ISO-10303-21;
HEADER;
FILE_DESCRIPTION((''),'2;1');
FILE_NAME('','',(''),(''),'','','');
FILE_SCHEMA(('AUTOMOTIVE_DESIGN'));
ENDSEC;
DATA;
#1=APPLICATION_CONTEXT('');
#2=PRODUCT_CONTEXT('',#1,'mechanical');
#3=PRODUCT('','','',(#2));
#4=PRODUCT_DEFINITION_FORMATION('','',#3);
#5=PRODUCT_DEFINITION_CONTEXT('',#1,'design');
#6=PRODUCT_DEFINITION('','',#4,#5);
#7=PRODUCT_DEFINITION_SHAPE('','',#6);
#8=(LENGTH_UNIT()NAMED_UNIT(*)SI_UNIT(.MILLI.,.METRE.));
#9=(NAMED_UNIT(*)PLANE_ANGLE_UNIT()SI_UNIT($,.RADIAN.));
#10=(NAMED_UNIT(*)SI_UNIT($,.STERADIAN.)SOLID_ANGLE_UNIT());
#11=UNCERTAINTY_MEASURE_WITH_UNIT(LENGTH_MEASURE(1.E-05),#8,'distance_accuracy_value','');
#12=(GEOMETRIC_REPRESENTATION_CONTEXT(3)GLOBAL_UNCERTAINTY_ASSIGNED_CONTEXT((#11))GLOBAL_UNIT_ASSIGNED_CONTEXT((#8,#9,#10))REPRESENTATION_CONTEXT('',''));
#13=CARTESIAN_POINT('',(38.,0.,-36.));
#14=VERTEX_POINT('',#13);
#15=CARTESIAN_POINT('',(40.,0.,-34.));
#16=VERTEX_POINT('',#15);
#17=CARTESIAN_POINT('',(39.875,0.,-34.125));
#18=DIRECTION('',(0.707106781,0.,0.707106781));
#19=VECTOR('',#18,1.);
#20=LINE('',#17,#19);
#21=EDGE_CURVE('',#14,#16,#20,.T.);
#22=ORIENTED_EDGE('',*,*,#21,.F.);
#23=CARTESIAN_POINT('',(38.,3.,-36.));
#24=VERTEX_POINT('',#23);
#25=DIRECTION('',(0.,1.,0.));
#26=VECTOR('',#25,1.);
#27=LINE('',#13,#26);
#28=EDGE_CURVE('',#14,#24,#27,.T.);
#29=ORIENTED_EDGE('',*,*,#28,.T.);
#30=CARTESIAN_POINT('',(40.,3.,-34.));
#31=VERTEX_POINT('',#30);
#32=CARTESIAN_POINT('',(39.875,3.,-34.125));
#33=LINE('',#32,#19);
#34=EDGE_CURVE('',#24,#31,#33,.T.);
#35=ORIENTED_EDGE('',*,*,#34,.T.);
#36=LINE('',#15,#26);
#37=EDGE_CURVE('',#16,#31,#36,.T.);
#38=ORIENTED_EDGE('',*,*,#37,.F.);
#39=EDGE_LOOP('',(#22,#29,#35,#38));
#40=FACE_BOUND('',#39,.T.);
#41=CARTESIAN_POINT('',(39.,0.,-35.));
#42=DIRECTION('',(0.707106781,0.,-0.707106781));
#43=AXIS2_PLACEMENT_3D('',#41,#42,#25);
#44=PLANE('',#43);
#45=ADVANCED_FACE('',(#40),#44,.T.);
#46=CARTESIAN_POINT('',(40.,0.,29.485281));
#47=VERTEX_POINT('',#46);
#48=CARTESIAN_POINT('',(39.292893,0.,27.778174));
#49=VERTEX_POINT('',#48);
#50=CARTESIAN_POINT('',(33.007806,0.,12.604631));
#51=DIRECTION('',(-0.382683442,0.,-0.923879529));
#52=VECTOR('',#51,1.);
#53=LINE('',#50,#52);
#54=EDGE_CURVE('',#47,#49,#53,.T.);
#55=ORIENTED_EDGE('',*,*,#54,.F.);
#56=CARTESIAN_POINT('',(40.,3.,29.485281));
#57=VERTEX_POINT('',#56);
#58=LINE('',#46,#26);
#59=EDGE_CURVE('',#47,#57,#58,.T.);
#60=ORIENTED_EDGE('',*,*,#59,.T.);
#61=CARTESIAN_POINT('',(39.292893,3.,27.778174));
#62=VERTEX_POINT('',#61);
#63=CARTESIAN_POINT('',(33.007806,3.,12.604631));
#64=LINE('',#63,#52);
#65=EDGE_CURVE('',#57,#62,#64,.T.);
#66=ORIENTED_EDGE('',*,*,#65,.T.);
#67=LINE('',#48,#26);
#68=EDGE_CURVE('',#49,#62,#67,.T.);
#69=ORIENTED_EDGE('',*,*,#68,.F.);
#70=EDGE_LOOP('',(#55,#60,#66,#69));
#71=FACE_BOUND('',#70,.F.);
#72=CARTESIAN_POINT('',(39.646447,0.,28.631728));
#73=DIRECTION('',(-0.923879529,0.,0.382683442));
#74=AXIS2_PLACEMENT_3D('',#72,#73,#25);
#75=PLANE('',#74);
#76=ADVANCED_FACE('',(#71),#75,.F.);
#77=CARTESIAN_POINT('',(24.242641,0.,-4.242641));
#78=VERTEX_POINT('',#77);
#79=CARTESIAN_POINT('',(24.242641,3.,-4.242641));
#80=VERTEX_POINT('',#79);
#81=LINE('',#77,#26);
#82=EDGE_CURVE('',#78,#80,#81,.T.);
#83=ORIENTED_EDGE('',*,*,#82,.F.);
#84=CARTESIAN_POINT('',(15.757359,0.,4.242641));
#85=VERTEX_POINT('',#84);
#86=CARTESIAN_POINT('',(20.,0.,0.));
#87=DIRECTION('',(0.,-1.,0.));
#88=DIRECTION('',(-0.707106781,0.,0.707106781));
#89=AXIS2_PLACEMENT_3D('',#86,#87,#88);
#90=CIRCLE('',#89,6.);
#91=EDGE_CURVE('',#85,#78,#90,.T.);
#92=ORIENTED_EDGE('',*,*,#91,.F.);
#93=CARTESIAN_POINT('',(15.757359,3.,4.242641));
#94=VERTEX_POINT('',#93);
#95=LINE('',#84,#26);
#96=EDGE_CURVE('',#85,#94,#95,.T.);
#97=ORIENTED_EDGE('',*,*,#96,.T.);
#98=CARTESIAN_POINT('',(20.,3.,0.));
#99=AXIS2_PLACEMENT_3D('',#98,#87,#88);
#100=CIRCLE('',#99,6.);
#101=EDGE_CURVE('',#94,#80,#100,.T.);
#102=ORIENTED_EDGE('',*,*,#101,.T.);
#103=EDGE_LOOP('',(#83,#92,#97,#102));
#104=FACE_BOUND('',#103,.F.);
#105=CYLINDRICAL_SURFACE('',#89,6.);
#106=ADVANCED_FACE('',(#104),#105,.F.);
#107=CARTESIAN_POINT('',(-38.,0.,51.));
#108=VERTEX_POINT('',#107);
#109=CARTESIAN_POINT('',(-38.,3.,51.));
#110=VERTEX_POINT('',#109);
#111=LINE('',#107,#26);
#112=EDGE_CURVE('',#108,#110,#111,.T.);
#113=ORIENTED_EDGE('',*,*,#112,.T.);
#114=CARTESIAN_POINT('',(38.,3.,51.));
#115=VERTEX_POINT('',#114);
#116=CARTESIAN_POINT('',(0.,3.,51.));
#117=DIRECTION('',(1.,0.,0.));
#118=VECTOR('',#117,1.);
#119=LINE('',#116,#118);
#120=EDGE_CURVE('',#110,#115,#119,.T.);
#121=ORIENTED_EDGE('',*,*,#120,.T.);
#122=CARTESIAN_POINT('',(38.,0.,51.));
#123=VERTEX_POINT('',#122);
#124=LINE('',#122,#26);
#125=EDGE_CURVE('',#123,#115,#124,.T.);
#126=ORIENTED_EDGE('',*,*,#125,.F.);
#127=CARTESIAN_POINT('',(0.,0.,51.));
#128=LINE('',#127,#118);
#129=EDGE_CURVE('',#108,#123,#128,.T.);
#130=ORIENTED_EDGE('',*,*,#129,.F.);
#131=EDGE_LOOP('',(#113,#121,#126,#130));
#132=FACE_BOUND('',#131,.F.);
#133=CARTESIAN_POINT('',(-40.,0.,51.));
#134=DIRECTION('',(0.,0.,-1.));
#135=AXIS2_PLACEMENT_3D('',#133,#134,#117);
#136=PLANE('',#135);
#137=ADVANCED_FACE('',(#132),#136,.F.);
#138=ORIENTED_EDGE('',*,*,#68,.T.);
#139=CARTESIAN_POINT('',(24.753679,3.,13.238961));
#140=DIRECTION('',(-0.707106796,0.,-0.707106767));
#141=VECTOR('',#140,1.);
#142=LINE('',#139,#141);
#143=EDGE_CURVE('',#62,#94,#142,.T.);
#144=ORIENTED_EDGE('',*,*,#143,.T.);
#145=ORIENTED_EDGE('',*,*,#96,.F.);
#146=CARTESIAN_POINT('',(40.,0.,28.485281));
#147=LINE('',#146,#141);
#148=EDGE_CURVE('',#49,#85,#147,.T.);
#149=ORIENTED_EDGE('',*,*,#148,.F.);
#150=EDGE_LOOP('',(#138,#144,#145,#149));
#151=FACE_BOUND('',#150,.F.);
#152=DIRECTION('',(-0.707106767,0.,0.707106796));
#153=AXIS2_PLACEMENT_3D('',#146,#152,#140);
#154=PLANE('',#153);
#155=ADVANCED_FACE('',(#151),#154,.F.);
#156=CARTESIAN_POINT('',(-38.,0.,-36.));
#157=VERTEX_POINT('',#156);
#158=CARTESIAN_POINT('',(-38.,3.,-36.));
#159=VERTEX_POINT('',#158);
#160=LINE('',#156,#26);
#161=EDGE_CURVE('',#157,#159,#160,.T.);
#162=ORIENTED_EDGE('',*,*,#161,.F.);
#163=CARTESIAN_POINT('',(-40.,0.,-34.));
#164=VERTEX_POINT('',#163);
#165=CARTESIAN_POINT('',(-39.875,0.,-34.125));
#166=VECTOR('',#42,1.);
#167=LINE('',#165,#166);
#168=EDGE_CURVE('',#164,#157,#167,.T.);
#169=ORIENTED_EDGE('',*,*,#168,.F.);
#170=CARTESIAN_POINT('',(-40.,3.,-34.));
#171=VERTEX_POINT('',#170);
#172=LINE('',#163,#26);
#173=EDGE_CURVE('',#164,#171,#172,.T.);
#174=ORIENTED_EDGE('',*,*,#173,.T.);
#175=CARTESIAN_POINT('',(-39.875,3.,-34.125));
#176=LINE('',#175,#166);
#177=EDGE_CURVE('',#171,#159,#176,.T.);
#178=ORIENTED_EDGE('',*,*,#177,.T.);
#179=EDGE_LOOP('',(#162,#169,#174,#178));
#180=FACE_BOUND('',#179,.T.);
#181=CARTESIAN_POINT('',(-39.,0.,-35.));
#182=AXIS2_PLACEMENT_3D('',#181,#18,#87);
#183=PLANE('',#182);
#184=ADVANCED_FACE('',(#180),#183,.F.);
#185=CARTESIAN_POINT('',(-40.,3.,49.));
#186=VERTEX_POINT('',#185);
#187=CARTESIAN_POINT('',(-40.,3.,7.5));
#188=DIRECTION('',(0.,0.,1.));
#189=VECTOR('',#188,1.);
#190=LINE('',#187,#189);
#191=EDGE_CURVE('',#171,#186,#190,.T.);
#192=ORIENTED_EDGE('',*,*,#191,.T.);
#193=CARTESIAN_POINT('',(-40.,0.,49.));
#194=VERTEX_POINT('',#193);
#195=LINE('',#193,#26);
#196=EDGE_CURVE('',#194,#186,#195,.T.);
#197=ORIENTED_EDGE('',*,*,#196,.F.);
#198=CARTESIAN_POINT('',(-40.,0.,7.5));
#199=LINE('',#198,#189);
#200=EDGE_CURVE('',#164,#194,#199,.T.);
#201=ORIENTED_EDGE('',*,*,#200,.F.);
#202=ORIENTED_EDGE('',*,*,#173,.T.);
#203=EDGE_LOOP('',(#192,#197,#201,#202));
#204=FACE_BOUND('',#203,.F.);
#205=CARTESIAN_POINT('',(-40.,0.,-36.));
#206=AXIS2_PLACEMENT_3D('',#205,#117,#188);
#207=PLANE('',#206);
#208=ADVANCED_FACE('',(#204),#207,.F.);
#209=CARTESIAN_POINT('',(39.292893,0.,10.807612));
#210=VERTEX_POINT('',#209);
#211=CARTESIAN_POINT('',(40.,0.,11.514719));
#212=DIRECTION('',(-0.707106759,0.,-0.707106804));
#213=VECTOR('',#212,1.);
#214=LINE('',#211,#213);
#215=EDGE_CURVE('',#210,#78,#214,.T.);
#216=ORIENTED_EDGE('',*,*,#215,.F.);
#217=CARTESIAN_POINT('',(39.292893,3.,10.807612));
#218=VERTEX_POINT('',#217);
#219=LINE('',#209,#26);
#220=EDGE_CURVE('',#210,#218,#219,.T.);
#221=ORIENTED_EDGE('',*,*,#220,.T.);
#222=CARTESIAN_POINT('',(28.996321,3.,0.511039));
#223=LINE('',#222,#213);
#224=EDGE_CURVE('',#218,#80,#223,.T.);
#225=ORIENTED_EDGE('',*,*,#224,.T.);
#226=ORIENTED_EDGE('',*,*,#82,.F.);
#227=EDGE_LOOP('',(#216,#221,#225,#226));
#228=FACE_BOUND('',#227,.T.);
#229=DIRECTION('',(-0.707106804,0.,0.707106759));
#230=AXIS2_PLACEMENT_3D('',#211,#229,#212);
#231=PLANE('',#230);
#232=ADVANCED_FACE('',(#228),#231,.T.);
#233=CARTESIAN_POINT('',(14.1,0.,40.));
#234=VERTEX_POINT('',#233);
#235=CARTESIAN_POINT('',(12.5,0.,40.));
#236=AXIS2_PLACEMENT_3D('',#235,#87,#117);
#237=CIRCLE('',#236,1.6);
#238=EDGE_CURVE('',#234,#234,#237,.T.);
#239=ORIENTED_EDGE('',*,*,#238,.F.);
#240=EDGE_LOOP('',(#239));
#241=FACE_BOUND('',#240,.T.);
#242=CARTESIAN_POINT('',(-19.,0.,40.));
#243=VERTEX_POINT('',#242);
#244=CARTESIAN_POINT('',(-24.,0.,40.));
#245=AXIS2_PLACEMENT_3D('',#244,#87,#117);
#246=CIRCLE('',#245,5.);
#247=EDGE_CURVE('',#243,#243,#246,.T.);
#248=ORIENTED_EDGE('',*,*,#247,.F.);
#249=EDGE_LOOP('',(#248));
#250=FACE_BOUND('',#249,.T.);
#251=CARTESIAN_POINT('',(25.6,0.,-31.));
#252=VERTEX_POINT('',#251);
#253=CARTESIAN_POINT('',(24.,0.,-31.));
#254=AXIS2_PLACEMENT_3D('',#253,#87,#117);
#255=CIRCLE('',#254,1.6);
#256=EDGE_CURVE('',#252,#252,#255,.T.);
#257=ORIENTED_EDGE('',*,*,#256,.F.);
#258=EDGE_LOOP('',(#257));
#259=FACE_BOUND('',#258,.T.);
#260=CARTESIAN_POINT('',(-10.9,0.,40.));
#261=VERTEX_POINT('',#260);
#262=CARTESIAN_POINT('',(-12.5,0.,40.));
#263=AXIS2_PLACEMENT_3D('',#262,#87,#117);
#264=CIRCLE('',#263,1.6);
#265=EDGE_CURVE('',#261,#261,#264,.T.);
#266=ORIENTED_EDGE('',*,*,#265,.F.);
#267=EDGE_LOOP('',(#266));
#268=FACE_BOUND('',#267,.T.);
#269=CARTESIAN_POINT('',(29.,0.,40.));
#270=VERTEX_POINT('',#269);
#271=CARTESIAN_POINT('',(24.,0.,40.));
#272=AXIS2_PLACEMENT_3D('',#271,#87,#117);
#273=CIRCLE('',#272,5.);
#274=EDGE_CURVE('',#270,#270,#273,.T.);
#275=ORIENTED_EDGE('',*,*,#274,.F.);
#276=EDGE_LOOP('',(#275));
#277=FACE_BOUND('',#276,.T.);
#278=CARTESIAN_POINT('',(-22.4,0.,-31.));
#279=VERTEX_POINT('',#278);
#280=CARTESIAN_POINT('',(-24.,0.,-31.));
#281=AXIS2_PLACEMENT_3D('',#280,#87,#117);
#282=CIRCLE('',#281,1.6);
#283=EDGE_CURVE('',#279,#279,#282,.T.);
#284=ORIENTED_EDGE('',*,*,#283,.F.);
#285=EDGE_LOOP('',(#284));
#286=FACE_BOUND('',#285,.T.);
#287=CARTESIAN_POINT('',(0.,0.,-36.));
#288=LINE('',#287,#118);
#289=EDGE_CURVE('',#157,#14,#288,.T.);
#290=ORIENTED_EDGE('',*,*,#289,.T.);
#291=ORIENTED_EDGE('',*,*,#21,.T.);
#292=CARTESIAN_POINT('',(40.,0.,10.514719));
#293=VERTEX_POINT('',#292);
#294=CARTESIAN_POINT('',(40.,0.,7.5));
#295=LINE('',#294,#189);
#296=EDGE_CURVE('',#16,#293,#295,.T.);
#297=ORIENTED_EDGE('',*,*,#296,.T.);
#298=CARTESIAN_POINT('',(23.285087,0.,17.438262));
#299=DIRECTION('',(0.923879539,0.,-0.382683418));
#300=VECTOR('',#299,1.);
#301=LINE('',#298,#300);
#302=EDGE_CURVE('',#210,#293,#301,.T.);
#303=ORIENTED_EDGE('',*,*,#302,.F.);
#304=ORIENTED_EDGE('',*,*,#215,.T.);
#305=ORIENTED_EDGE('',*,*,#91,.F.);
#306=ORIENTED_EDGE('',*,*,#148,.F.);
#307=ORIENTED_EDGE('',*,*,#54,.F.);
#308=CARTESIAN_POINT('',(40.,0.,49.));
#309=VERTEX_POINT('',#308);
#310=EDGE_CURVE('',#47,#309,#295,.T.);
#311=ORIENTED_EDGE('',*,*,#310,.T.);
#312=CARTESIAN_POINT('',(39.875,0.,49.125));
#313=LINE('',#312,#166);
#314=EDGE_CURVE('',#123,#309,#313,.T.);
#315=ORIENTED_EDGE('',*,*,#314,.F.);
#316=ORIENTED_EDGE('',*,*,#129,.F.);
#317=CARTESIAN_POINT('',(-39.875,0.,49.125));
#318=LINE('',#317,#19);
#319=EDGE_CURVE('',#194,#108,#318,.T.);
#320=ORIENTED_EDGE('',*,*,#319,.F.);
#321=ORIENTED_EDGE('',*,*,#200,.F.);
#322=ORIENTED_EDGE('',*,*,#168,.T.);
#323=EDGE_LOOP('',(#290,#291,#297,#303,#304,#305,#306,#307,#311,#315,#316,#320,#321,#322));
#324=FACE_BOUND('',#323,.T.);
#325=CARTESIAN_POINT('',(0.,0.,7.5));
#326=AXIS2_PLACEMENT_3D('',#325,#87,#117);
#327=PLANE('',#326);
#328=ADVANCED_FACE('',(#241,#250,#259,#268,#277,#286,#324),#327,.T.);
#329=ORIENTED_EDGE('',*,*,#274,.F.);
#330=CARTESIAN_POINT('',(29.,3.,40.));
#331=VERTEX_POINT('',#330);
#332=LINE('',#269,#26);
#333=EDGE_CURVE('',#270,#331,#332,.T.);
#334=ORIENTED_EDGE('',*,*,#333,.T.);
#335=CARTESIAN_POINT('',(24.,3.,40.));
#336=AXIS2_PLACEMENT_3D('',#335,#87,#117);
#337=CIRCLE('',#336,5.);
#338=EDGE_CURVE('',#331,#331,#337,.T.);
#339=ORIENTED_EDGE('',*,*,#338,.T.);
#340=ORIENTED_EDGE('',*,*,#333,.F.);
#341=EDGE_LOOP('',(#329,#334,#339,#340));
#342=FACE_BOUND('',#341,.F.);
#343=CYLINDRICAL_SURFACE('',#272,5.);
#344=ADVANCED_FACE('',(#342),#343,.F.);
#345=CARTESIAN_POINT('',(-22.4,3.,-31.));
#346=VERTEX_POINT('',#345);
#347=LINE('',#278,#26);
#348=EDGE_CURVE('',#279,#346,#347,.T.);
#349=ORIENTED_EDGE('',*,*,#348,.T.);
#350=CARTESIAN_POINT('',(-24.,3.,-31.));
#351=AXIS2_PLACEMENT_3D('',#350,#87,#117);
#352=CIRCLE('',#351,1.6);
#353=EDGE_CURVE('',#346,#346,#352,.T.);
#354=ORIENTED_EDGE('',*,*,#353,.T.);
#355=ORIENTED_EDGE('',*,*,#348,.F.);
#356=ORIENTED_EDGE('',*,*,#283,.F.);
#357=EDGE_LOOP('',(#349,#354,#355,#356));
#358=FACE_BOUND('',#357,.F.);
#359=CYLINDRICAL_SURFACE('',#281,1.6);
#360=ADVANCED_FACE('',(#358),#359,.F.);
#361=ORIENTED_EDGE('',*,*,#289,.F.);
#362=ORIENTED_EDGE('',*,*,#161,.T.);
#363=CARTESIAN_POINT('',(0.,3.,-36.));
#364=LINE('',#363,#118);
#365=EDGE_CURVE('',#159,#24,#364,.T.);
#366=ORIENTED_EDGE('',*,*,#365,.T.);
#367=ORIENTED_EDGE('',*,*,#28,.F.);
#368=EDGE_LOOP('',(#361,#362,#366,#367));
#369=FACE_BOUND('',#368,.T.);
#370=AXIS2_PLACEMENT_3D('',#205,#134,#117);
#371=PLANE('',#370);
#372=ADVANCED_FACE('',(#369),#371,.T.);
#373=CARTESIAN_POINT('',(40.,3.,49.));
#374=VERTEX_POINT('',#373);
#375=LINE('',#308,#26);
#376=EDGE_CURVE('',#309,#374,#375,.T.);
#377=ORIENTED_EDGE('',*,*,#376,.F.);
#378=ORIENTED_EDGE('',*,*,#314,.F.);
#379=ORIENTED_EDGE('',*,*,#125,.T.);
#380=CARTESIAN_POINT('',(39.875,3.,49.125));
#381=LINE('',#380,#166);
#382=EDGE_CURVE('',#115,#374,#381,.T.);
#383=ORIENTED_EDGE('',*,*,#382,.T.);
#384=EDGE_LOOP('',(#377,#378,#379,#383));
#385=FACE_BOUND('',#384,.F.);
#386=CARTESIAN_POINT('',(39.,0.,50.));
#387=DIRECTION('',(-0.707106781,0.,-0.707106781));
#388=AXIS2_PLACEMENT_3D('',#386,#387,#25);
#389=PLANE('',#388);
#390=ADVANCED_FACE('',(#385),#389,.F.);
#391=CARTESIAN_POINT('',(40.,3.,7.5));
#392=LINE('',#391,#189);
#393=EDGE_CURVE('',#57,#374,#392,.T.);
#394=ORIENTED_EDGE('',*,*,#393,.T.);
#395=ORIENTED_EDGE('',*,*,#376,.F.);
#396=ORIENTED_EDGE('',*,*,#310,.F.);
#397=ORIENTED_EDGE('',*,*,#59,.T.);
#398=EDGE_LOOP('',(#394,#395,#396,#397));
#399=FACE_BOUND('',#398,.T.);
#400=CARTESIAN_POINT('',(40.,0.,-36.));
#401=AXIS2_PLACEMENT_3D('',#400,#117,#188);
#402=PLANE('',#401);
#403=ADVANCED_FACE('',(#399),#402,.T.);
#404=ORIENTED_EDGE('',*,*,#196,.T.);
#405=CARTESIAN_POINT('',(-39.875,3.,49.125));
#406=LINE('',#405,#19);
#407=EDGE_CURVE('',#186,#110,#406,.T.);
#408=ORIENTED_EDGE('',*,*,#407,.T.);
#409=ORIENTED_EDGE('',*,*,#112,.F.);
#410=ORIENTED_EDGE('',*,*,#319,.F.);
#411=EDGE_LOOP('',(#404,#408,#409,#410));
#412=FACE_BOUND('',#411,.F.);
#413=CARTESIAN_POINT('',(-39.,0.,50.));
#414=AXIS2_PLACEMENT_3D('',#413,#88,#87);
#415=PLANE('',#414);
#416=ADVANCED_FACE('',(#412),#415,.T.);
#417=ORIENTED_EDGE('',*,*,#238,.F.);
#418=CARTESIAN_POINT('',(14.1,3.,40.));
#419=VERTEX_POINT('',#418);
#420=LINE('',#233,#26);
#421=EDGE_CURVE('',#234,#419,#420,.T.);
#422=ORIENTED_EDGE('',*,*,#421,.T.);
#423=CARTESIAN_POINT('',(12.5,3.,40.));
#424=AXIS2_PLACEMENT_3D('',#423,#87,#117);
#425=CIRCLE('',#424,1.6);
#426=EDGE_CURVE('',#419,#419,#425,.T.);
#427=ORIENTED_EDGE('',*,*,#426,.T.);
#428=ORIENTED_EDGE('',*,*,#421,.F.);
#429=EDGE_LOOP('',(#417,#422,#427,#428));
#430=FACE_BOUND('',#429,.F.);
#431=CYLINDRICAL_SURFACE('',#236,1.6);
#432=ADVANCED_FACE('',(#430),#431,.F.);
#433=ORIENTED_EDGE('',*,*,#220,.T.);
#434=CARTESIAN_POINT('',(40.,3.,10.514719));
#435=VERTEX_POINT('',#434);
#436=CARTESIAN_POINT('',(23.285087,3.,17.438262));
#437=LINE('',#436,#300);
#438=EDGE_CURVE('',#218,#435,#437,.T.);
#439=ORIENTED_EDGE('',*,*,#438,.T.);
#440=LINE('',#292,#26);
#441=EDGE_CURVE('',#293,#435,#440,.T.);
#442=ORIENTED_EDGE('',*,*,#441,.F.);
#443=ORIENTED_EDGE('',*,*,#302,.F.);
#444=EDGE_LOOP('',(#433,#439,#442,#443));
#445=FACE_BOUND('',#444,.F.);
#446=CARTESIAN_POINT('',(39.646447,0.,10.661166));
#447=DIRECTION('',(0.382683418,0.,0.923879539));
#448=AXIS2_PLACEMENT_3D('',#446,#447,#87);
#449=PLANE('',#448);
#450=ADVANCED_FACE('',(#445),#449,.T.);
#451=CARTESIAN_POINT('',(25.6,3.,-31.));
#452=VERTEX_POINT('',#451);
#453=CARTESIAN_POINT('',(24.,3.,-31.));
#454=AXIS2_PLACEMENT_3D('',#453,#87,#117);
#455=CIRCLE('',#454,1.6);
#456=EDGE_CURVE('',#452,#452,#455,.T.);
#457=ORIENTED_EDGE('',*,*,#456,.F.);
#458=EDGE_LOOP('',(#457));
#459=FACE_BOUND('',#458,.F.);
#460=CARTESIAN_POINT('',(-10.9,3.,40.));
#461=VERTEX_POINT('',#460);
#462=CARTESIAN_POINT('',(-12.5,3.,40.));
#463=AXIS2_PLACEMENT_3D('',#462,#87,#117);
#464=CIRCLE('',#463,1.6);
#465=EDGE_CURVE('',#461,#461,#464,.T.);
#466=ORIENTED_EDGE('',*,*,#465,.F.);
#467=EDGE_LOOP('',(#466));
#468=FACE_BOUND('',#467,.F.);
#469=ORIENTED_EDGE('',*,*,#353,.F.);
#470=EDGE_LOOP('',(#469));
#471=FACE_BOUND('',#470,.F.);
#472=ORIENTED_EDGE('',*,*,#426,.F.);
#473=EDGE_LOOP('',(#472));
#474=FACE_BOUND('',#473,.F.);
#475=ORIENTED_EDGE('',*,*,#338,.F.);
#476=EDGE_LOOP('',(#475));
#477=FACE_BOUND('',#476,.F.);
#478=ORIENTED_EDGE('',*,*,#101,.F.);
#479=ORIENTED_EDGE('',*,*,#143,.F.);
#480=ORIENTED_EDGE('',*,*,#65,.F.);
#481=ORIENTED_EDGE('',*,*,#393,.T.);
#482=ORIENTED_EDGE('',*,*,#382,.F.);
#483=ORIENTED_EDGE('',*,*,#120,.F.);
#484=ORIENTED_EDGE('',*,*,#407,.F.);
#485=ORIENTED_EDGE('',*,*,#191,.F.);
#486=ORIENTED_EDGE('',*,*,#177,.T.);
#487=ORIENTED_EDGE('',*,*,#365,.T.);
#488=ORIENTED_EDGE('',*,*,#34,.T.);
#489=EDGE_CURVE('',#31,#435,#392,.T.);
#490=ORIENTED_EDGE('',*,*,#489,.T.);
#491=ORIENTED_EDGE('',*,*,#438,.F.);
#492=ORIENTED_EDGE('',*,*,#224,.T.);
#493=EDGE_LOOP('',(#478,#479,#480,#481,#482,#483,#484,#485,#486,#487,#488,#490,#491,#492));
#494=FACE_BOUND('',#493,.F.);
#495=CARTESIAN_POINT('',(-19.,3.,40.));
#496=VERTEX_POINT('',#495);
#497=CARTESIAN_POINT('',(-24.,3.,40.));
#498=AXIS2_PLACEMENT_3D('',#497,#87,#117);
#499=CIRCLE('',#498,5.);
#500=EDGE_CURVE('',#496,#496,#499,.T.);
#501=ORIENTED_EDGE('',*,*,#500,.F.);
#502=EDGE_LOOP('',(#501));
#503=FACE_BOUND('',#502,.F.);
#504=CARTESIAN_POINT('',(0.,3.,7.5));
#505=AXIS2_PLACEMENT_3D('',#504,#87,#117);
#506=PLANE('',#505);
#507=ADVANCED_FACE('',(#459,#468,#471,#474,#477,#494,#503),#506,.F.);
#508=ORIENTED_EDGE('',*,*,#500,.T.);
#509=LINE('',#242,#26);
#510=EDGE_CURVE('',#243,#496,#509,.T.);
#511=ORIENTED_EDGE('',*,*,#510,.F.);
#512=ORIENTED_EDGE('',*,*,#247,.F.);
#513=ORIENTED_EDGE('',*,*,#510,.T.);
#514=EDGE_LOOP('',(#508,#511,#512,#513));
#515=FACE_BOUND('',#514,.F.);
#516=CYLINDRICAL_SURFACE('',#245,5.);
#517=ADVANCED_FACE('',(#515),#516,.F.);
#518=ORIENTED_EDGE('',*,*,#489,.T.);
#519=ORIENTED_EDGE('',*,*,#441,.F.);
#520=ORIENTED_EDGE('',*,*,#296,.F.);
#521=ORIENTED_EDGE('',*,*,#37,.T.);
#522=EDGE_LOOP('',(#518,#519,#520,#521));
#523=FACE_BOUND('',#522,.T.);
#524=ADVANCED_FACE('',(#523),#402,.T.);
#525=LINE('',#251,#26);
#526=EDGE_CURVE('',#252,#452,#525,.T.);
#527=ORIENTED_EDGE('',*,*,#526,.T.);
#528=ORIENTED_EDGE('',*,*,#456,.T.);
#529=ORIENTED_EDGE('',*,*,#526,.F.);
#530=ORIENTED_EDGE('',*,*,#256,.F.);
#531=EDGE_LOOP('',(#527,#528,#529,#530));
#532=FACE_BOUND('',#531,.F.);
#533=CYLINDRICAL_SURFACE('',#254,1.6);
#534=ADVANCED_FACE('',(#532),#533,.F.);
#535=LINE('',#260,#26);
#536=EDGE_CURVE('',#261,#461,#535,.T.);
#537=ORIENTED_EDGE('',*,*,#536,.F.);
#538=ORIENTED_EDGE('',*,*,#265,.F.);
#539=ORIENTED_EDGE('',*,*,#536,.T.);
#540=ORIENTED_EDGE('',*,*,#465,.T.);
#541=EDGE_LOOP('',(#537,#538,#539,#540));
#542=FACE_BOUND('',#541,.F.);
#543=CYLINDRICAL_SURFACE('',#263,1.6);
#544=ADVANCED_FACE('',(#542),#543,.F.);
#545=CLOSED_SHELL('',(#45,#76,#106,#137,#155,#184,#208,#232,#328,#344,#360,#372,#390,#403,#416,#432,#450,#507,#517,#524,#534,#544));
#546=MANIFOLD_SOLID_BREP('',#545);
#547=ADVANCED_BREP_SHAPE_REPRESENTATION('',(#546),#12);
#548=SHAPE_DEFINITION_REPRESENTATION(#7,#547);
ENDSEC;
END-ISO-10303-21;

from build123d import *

# Parameters (mm, degrees)
SKETCH037_W     = 80
SKETCH037_H     = 87
PAD015_DEPTH    = 3
SKETCH038_R     = 1.6
SKETCH038_R_2   = 5
POCKET021_DEPTH = 3.001
CHAMFER019_SIZE = 2
SKETCH044_R     = 1.6
POCKET025_DEPTH = 3.001
POCKET030_DEPTH = 3.001
CHAMFER029_SIZE = 1


with BuildPart() as part:
    # Sketch037 → Pad015 (new body)
    with BuildSketch(Plane.XZ):
        with Locations((0, 7.5)):
            Rectangle(SKETCH037_W, SKETCH037_H)
    extrude(amount=-PAD015_DEPTH)

    # Sketch038 → Pocket021 (cut, through all)
    with BuildSketch(Plane.XZ):
        with Locations((-12.5, 40)):
            Circle(SKETCH038_R)
        with Locations((12.5, 40)):
            Circle(SKETCH038_R)
        with Locations((-24, 40)):
            Circle(SKETCH038_R_2)
        with Locations((24, 40)):
            Circle(SKETCH038_R_2)
    extrude(amount=-POCKET021_DEPTH, mode=Mode.SUBTRACT)

    # Chamfer019
    chamfer019_edges = [part.edges().sort_by_distance(p)[0] for p in [
        (40, 1.5, 51),
        (-40, 1.5, 51),
        (40, 1.5, -36),
        (-40, 1.5, -36),
    ]]
    chamfer(chamfer019_edges, length=CHAMFER019_SIZE)

    # Sketch044 → Pocket025 (cut, through all)
    with BuildSketch(Plane.XZ):
        with Locations((24, -31)):
            Circle(SKETCH044_R)
        with Locations((-24, -31)):
            Circle(SKETCH044_R)
    extrude(amount=-POCKET025_DEPTH, mode=Mode.SUBTRACT)

    # Sketch054 (on Face2 of Pocket025) → Pocket030 (cut, through all)
    with BuildSketch(Plane.XZ):
        with BuildLine():
            Line((40, 28.485281), (15.757359, 4.242641))
            ThreePointArc((15.757359, 4.242641), (15.757359, -4.242641), (24.242641, -4.242641))
            Line((40, 11.514719), (24.242641, -4.242641))
            Line((40, 28.485281), (40, 11.514719))
        make_face()
    extrude(amount=-POCKET030_DEPTH, mode=Mode.SUBTRACT)

    # Chamfer029
    chamfer029_edges = [part.edges().sort_by_distance(p)[0] for p in [
        (40, 1.5, 28.485281),
        (40, 1.5, 11.514719),
    ]]
    chamfer(chamfer029_edges, length=CHAMFER029_SIZE)


solid = part.part
